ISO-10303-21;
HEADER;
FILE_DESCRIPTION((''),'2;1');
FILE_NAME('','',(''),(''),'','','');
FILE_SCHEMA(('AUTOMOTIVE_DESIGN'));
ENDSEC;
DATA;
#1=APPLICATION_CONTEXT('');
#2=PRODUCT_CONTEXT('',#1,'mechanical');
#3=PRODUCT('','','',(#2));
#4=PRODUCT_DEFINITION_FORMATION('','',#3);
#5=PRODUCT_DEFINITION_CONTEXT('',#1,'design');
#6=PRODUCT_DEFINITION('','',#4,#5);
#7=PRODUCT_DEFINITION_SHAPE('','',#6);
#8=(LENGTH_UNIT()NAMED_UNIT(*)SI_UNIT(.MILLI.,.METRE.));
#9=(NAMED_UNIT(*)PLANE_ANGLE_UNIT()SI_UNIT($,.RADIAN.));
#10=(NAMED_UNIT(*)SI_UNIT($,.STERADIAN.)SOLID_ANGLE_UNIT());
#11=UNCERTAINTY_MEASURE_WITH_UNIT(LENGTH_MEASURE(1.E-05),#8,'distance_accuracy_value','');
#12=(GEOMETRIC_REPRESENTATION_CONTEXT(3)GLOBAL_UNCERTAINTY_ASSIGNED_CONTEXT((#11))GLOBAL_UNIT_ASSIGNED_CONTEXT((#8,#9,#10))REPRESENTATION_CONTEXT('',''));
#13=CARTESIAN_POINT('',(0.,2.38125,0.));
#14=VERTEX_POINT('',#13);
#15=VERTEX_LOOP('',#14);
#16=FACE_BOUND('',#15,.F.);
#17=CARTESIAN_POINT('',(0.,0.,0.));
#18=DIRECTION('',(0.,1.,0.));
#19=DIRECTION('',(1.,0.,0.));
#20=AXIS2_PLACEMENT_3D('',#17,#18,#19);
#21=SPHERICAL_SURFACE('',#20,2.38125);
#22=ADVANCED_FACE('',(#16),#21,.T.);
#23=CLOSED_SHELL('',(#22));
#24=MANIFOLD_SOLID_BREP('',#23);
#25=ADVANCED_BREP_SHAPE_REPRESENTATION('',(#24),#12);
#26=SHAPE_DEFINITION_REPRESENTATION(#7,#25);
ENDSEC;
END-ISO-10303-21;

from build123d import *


with BuildPart() as part:
    # Sketch2 → Revolve1 (revolve)
    with BuildSketch(Plane.XY):
        with BuildLine():
            Line((0, 2.38125), (0, -2.38125))
            ThreePointArc((0, -2.38125), (2.38125, 0), (0, 2.38125))
        make_face()
    revolve(axis=Axis((0, 2.38125, 0), (0, -1, 0)))


solid = part.part
